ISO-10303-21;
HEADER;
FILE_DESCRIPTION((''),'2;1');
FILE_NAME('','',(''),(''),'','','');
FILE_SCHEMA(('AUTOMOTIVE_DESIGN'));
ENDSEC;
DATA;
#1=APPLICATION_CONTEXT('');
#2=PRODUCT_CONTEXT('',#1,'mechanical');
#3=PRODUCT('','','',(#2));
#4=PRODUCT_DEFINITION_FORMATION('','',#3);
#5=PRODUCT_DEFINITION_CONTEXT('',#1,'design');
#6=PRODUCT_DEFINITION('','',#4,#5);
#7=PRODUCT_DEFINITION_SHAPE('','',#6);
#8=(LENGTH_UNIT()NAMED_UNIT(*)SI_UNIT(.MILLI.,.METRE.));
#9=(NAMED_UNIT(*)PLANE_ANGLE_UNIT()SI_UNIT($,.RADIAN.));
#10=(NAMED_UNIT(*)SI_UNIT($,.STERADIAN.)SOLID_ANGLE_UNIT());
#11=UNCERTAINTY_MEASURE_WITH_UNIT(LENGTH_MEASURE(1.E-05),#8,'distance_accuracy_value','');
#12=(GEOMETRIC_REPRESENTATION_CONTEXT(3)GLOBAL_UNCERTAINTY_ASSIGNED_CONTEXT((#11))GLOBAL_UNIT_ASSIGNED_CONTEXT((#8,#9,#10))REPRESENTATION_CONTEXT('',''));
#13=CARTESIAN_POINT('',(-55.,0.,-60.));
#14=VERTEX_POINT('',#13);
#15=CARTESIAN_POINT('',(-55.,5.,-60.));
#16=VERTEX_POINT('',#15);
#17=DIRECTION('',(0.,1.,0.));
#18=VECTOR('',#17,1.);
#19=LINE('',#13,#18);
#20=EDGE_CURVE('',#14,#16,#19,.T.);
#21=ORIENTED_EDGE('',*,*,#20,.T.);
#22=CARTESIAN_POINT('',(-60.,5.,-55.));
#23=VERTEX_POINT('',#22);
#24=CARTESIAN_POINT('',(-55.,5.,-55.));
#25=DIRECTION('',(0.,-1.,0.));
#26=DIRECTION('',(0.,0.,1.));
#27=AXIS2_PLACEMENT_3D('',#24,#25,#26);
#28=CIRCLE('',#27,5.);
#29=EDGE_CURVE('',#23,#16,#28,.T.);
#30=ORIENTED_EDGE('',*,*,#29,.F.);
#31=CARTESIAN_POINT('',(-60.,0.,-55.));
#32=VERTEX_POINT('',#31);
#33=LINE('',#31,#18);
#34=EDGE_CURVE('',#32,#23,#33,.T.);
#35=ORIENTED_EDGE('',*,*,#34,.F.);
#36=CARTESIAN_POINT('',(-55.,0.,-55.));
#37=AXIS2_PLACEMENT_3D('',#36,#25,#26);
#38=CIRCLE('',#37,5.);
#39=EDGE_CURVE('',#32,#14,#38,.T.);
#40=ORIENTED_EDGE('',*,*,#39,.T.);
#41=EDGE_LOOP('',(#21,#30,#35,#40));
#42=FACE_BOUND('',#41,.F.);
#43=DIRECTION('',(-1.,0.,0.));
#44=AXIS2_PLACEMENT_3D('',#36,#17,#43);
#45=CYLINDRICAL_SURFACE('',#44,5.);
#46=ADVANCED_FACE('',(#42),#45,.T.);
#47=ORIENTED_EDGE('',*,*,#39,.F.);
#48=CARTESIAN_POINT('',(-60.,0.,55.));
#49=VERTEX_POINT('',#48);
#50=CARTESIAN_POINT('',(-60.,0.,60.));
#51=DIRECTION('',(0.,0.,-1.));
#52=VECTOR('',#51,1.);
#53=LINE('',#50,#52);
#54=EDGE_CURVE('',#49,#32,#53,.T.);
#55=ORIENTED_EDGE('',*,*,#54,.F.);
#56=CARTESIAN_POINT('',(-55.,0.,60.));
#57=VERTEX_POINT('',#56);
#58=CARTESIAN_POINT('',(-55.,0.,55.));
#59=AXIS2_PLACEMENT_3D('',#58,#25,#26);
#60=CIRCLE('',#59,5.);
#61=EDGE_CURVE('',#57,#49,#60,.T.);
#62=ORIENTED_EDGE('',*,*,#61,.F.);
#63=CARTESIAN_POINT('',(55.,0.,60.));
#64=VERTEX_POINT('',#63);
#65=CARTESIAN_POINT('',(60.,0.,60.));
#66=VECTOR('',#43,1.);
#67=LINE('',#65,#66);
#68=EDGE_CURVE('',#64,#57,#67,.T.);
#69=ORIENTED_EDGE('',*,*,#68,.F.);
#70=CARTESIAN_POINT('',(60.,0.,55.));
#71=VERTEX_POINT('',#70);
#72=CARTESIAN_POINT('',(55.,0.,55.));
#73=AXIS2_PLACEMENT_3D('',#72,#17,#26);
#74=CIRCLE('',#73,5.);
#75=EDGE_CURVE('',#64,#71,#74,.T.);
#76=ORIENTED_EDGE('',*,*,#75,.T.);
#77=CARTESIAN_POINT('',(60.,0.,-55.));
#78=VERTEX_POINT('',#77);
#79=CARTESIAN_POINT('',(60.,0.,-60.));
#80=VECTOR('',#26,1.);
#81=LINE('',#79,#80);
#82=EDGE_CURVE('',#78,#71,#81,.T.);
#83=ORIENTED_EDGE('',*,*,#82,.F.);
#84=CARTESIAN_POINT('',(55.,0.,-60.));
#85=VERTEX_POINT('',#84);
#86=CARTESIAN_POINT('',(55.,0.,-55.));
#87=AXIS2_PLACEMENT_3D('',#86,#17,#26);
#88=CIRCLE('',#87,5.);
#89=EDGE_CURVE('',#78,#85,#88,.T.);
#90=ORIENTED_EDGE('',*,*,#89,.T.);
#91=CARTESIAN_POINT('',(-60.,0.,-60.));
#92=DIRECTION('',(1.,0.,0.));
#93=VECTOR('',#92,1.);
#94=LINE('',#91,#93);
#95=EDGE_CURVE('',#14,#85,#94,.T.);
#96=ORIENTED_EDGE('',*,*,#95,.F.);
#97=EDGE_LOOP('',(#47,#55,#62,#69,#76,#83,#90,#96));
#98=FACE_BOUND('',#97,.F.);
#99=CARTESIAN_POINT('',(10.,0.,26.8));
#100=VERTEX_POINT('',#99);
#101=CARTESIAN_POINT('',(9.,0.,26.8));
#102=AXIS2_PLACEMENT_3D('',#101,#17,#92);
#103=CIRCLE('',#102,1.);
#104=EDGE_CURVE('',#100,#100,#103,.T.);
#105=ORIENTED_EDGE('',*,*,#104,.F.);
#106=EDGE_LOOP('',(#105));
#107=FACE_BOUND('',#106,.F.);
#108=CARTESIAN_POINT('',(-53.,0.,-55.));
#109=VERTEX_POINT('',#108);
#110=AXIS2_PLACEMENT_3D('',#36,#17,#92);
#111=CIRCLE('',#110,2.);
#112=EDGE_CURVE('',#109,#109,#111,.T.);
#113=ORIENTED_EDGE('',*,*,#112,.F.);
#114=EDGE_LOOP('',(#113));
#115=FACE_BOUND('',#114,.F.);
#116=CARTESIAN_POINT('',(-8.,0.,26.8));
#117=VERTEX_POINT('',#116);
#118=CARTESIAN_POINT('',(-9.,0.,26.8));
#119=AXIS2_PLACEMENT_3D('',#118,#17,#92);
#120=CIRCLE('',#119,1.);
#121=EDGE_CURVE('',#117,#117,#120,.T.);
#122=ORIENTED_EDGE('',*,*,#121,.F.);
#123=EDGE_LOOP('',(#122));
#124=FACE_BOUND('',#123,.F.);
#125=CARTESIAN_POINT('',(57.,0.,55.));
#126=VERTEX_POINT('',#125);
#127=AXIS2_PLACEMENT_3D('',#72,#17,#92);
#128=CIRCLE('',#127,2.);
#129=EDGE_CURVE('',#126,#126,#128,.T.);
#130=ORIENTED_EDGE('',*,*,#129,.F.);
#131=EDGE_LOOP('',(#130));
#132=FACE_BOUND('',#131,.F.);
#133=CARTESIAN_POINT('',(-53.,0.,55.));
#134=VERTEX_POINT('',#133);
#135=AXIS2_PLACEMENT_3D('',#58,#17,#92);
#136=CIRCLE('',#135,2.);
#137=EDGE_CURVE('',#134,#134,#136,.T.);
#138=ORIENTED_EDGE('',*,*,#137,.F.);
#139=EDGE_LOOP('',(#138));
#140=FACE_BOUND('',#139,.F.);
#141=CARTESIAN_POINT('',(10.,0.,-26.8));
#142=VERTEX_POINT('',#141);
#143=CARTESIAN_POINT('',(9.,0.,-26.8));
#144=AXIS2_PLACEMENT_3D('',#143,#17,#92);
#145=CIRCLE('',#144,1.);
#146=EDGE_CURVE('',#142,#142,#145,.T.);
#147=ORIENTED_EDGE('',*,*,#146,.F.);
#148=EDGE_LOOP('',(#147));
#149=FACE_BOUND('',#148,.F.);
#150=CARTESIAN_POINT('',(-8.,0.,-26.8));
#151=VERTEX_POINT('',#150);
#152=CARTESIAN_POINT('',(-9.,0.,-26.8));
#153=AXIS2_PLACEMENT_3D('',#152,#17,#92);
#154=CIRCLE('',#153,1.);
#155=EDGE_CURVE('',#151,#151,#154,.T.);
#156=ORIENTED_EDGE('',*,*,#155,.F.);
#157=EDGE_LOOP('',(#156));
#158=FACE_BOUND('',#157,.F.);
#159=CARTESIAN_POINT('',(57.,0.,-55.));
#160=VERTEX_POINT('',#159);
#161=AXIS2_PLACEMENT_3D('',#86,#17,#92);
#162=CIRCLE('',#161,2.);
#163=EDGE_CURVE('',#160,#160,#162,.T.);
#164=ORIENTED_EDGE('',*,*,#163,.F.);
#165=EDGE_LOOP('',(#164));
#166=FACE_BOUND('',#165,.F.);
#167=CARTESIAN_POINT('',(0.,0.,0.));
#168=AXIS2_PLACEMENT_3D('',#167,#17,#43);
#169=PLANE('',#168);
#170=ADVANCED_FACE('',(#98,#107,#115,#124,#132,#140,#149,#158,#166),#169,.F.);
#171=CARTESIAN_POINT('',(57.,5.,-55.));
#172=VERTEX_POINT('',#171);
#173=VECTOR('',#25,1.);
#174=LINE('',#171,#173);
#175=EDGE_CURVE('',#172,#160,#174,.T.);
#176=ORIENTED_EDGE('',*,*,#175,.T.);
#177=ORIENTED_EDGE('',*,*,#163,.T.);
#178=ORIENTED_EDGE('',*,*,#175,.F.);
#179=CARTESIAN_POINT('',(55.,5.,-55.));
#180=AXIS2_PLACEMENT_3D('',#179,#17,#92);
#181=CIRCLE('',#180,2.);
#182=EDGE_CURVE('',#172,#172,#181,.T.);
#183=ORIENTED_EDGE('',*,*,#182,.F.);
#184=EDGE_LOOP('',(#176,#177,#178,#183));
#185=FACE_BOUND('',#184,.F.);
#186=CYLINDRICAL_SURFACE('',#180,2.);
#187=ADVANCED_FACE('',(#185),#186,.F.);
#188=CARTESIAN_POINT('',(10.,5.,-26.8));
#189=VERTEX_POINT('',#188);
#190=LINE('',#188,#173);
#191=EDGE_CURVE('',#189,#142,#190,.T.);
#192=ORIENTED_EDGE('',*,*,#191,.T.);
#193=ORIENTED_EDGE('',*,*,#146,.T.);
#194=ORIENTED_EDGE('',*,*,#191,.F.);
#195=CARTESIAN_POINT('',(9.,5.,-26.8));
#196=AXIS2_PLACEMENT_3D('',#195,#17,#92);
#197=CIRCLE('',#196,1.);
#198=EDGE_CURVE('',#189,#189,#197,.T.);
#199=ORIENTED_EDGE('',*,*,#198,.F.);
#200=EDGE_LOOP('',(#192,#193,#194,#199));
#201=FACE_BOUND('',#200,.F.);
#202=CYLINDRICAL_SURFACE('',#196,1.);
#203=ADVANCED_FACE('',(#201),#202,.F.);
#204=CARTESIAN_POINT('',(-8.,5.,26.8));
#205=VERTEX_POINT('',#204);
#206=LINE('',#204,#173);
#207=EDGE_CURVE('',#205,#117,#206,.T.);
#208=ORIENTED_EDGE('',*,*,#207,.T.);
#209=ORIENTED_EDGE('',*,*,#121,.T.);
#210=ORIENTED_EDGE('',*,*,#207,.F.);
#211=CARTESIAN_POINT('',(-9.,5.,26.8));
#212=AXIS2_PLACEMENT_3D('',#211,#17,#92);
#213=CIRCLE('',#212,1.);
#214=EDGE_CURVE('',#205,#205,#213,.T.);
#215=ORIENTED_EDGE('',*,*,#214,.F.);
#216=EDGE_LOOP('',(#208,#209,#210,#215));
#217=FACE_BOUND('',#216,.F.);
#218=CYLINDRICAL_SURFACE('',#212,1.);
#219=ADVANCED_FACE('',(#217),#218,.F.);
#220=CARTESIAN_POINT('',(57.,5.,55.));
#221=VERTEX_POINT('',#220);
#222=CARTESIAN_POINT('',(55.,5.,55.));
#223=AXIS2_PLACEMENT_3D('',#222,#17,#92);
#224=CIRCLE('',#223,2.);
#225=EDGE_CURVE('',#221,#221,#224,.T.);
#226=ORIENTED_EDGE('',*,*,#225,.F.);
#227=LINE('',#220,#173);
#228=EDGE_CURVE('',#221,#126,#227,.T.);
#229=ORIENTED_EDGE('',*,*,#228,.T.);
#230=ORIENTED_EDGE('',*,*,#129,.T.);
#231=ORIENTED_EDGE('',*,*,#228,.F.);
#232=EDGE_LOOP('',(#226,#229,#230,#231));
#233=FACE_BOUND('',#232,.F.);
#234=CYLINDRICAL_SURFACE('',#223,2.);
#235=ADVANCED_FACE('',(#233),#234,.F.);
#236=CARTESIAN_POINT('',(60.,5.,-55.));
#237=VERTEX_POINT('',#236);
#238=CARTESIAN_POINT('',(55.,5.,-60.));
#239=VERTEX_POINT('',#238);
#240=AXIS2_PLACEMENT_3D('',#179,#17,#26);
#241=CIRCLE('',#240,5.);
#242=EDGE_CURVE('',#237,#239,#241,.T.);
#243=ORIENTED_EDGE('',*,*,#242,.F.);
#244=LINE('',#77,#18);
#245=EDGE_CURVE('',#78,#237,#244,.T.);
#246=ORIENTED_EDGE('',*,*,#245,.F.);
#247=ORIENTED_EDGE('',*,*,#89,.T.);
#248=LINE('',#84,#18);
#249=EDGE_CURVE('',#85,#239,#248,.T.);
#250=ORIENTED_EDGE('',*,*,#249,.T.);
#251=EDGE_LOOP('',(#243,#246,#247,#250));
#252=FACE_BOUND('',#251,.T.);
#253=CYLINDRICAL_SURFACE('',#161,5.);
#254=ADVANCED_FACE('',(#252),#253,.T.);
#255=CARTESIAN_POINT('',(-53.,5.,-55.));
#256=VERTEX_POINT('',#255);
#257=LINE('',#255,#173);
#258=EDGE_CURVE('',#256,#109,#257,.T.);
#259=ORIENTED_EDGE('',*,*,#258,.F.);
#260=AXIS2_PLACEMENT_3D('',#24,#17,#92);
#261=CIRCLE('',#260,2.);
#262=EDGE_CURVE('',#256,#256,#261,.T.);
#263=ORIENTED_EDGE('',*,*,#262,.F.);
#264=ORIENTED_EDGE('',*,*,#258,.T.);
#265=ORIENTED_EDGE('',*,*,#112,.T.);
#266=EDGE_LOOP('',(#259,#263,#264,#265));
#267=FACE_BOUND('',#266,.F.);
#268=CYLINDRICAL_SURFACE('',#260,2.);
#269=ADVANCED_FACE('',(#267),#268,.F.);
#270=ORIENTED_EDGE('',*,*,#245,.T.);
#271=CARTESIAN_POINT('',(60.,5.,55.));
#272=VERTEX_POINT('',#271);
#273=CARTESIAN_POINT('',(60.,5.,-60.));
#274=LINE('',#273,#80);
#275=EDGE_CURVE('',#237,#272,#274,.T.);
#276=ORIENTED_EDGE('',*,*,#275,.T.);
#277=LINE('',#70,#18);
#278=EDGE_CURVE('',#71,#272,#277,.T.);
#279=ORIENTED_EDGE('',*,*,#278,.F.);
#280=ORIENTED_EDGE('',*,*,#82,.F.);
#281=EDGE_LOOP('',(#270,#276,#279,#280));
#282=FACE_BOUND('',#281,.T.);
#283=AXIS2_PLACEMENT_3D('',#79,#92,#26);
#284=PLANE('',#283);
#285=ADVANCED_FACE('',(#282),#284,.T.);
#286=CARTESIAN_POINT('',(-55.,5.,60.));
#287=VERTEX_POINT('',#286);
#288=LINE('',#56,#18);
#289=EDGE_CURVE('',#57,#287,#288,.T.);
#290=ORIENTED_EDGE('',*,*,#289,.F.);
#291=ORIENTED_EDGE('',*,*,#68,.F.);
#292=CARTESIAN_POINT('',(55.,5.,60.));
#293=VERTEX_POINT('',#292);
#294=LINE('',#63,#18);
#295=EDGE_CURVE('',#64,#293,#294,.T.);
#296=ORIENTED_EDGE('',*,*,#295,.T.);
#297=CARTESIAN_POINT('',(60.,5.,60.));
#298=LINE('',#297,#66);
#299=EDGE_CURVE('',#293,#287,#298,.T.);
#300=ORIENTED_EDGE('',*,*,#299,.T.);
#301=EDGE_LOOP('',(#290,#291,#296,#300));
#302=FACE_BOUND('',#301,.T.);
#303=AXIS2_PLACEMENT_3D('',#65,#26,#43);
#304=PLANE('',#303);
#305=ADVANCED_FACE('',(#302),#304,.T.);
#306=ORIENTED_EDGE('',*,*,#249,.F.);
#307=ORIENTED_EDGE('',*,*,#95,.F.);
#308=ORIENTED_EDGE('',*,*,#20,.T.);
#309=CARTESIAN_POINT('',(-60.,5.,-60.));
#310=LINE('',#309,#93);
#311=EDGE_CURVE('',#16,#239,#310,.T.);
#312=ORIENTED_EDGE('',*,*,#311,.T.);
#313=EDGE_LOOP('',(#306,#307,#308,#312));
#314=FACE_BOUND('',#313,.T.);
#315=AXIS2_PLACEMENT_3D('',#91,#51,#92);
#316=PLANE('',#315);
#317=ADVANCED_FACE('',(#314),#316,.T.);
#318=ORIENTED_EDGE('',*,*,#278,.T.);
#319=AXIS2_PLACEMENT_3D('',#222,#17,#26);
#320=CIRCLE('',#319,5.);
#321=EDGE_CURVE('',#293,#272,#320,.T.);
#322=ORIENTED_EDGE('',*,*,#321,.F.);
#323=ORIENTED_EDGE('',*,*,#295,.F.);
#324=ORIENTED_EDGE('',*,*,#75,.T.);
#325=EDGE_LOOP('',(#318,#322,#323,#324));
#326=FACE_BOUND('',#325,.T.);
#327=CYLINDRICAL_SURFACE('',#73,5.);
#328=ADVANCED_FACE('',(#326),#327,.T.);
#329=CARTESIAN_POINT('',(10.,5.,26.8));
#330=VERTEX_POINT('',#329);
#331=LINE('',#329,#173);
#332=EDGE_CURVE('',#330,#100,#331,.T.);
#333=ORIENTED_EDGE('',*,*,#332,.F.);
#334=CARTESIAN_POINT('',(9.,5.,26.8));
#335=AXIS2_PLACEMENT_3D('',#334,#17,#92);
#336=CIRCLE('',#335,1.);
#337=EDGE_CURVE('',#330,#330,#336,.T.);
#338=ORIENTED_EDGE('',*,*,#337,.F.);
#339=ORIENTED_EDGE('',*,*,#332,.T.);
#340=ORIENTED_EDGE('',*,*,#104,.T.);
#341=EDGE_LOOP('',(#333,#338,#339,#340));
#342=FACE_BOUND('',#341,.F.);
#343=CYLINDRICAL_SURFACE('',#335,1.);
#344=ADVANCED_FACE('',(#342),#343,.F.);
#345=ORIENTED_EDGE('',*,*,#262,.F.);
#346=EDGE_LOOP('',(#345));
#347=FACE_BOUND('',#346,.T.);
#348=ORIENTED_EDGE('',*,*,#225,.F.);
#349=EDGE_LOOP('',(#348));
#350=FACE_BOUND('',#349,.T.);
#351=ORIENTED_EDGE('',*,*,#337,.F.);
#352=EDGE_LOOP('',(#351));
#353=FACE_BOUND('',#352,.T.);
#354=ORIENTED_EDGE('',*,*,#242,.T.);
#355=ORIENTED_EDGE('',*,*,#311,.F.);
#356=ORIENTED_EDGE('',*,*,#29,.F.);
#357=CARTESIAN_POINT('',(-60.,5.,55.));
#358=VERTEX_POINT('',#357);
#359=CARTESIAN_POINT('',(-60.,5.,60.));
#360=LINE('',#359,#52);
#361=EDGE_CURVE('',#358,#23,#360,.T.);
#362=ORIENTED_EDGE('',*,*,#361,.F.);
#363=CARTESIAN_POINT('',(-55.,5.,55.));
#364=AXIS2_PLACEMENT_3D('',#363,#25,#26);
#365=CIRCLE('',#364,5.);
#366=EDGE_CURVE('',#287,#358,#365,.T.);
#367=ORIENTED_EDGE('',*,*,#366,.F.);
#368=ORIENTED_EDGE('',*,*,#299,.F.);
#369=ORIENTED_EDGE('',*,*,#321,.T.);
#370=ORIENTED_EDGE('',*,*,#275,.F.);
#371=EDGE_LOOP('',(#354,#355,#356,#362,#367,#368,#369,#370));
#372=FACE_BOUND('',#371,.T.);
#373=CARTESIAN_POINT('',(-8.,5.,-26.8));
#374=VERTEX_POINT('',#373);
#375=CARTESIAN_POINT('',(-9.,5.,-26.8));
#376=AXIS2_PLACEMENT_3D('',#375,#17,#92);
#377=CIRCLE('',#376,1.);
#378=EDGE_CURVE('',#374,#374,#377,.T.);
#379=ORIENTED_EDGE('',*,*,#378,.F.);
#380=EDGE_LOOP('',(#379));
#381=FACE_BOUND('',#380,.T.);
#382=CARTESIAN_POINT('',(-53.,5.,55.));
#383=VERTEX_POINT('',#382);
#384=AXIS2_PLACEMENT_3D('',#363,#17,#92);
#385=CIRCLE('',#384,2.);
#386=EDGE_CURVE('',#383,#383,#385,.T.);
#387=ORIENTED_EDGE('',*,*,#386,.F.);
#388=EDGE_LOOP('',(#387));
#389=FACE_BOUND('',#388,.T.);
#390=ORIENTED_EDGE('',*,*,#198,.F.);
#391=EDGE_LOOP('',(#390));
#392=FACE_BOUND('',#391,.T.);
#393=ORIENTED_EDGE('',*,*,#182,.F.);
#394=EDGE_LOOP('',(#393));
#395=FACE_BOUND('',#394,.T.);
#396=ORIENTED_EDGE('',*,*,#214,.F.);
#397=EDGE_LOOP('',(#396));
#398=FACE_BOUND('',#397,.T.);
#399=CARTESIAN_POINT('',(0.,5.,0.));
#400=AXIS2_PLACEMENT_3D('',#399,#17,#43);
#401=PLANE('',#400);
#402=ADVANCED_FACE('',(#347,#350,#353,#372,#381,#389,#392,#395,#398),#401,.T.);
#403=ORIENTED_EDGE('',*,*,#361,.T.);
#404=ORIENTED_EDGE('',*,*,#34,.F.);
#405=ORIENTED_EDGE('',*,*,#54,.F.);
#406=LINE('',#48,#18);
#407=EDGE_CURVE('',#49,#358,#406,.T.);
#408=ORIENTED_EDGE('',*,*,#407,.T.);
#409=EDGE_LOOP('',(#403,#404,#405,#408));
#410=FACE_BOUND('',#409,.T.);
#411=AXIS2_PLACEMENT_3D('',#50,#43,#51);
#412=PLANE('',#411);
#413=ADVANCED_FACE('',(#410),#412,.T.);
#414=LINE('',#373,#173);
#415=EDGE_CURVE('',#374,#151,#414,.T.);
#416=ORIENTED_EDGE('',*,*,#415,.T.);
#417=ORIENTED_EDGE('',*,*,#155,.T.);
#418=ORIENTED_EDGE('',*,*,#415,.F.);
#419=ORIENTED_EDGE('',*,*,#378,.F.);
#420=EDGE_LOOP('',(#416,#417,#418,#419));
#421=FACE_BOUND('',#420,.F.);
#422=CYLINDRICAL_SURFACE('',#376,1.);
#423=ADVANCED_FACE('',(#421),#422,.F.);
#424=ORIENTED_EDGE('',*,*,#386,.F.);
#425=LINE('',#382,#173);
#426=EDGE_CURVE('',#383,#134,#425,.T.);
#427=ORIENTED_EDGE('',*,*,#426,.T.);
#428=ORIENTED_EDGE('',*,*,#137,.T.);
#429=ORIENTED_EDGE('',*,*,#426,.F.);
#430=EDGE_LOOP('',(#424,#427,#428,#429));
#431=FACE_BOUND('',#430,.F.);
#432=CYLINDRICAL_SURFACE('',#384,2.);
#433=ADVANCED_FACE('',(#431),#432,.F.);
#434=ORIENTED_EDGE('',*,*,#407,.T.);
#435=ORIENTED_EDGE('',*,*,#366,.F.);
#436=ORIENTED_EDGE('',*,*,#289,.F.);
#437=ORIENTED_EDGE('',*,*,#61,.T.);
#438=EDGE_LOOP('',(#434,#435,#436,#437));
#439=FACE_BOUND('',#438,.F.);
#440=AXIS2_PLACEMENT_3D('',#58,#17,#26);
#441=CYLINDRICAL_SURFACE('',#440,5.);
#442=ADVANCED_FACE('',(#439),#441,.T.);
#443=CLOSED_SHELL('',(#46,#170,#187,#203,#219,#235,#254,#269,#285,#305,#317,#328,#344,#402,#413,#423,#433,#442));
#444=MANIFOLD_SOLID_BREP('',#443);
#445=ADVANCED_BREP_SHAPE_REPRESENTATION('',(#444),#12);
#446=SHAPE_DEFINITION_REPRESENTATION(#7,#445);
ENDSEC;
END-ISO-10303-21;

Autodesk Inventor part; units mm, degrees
ref_plane "YZ Plane" through (0, 0, 0) normal (1, 0, 0) x (0, 1, 0)
ref_plane "XZ Plane" through (0, 0, 0) normal (0, 1, 0) x (-1, 0, 0)
ref_plane "XY Plane" through (0, 0, 0) normal (0, 0, 1) x (1, 0, 0)
sketch "Sketch1" plane through (0, 0, 0) normal (0, 1, 0) x (-1, 0, 0)
  line L0 (-60, 60) -> (60, 60)
  line L1 (60, 60) -> (60, -60)
  line L2 (60, -60) -> (-60, -60)
  line L3 (-60, -60) -> (-60, 60)
  line L4 (-60, 60) -> (60, -60) construction
  line L5 (60, 60) -> (-60, -60) construction
  point P0 (0, 0)
  dimension "d0" = 120
  dimension "d1" = 120
extrude "Extrusion1" add sketch "Sketch1" along normal blind 5
sketch "Sketch2" plane through (0, 5, 0) normal (0, 1, 0) x (1, 0, 0)
  line L0 (55, -55) -> (-55, -55) construction
  line L1 (-55, -55) -> (-55, 55) construction
  line L2 (-55, 55) -> (55, 55) construction
  line L3 (55, 55) -> (55, -55) construction
  line L4 (55, -55) -> (-55, 55) construction
  line L5 (-55, -55) -> (55, 55) construction
  circle A0 centre (-55, 55) radius 2
  circle A1 centre (-55, -55) radius 2
  circle A2 centre (55, 55) radius 2
  circle A3 centre (55, -55) radius 2
  point P0 (0, 0)
  dimension "d4" = 110
  dimension "d5" = 110
  dimension "d6" = 4
  dimension "d7" = 4
  dimension "d8" = 4
  dimension "d9" = 4
extrude "Extrusion2" cut sketch "Sketch2" against normal blind 5
fillet "Fillet1" radius 5 4 edges at (60, 2.5, -60) (60, 2.5, 60) (-60, 2.5, -60) (-60, 2.5, 60)
sketch "Sketch3" plane through (0, 5, 0) normal (0, 1, 0) x (1, 0, 0)
  line L0 (-35.5, -35.5) -> (35.5, -35.5) construction
  line L1 (35.5, -35.5) -> (35.5, 35.5) construction
  line L2 (35.5, 35.5) -> (-35.5, 35.5) construction
  line L3 (-35.5, 35.5) -> (-35.5, -35.5) construction
  line L4 (-35.5, -35.5) -> (35.5, 35.5) construction
  line L5 (35.5, -35.5) -> (-35.5, 35.5) construction
  circle A0 centre (9, 26.8) radius 1
  circle A1 centre (-9, 26.8) radius 1
  circle A2 centre (-9, -26.8) radius 1
  circle A3 centre (9, -26.8) radius 1
  point P0 (0, 0)
  dimension "d13" = 71
  dimension "d14" = 71
  dimension "d15" = 26.5
  dimension "d16" = 8.7
  dimension "d17" = 2
  dimension "d18" = 8.7
  dimension "d19" = 2
  dimension "d20" = 26.5
  dimension "d21" = 26.5
  dimension "d22" = 26.5
  dimension "d23" = 8.7
  dimension "d24" = 2
  dimension "d25" = 8.7
  dimension "d26" = 2
extrude "Extrusion3" cut sketch "Sketch3" against normal blind 10
properties part number "Arena"
